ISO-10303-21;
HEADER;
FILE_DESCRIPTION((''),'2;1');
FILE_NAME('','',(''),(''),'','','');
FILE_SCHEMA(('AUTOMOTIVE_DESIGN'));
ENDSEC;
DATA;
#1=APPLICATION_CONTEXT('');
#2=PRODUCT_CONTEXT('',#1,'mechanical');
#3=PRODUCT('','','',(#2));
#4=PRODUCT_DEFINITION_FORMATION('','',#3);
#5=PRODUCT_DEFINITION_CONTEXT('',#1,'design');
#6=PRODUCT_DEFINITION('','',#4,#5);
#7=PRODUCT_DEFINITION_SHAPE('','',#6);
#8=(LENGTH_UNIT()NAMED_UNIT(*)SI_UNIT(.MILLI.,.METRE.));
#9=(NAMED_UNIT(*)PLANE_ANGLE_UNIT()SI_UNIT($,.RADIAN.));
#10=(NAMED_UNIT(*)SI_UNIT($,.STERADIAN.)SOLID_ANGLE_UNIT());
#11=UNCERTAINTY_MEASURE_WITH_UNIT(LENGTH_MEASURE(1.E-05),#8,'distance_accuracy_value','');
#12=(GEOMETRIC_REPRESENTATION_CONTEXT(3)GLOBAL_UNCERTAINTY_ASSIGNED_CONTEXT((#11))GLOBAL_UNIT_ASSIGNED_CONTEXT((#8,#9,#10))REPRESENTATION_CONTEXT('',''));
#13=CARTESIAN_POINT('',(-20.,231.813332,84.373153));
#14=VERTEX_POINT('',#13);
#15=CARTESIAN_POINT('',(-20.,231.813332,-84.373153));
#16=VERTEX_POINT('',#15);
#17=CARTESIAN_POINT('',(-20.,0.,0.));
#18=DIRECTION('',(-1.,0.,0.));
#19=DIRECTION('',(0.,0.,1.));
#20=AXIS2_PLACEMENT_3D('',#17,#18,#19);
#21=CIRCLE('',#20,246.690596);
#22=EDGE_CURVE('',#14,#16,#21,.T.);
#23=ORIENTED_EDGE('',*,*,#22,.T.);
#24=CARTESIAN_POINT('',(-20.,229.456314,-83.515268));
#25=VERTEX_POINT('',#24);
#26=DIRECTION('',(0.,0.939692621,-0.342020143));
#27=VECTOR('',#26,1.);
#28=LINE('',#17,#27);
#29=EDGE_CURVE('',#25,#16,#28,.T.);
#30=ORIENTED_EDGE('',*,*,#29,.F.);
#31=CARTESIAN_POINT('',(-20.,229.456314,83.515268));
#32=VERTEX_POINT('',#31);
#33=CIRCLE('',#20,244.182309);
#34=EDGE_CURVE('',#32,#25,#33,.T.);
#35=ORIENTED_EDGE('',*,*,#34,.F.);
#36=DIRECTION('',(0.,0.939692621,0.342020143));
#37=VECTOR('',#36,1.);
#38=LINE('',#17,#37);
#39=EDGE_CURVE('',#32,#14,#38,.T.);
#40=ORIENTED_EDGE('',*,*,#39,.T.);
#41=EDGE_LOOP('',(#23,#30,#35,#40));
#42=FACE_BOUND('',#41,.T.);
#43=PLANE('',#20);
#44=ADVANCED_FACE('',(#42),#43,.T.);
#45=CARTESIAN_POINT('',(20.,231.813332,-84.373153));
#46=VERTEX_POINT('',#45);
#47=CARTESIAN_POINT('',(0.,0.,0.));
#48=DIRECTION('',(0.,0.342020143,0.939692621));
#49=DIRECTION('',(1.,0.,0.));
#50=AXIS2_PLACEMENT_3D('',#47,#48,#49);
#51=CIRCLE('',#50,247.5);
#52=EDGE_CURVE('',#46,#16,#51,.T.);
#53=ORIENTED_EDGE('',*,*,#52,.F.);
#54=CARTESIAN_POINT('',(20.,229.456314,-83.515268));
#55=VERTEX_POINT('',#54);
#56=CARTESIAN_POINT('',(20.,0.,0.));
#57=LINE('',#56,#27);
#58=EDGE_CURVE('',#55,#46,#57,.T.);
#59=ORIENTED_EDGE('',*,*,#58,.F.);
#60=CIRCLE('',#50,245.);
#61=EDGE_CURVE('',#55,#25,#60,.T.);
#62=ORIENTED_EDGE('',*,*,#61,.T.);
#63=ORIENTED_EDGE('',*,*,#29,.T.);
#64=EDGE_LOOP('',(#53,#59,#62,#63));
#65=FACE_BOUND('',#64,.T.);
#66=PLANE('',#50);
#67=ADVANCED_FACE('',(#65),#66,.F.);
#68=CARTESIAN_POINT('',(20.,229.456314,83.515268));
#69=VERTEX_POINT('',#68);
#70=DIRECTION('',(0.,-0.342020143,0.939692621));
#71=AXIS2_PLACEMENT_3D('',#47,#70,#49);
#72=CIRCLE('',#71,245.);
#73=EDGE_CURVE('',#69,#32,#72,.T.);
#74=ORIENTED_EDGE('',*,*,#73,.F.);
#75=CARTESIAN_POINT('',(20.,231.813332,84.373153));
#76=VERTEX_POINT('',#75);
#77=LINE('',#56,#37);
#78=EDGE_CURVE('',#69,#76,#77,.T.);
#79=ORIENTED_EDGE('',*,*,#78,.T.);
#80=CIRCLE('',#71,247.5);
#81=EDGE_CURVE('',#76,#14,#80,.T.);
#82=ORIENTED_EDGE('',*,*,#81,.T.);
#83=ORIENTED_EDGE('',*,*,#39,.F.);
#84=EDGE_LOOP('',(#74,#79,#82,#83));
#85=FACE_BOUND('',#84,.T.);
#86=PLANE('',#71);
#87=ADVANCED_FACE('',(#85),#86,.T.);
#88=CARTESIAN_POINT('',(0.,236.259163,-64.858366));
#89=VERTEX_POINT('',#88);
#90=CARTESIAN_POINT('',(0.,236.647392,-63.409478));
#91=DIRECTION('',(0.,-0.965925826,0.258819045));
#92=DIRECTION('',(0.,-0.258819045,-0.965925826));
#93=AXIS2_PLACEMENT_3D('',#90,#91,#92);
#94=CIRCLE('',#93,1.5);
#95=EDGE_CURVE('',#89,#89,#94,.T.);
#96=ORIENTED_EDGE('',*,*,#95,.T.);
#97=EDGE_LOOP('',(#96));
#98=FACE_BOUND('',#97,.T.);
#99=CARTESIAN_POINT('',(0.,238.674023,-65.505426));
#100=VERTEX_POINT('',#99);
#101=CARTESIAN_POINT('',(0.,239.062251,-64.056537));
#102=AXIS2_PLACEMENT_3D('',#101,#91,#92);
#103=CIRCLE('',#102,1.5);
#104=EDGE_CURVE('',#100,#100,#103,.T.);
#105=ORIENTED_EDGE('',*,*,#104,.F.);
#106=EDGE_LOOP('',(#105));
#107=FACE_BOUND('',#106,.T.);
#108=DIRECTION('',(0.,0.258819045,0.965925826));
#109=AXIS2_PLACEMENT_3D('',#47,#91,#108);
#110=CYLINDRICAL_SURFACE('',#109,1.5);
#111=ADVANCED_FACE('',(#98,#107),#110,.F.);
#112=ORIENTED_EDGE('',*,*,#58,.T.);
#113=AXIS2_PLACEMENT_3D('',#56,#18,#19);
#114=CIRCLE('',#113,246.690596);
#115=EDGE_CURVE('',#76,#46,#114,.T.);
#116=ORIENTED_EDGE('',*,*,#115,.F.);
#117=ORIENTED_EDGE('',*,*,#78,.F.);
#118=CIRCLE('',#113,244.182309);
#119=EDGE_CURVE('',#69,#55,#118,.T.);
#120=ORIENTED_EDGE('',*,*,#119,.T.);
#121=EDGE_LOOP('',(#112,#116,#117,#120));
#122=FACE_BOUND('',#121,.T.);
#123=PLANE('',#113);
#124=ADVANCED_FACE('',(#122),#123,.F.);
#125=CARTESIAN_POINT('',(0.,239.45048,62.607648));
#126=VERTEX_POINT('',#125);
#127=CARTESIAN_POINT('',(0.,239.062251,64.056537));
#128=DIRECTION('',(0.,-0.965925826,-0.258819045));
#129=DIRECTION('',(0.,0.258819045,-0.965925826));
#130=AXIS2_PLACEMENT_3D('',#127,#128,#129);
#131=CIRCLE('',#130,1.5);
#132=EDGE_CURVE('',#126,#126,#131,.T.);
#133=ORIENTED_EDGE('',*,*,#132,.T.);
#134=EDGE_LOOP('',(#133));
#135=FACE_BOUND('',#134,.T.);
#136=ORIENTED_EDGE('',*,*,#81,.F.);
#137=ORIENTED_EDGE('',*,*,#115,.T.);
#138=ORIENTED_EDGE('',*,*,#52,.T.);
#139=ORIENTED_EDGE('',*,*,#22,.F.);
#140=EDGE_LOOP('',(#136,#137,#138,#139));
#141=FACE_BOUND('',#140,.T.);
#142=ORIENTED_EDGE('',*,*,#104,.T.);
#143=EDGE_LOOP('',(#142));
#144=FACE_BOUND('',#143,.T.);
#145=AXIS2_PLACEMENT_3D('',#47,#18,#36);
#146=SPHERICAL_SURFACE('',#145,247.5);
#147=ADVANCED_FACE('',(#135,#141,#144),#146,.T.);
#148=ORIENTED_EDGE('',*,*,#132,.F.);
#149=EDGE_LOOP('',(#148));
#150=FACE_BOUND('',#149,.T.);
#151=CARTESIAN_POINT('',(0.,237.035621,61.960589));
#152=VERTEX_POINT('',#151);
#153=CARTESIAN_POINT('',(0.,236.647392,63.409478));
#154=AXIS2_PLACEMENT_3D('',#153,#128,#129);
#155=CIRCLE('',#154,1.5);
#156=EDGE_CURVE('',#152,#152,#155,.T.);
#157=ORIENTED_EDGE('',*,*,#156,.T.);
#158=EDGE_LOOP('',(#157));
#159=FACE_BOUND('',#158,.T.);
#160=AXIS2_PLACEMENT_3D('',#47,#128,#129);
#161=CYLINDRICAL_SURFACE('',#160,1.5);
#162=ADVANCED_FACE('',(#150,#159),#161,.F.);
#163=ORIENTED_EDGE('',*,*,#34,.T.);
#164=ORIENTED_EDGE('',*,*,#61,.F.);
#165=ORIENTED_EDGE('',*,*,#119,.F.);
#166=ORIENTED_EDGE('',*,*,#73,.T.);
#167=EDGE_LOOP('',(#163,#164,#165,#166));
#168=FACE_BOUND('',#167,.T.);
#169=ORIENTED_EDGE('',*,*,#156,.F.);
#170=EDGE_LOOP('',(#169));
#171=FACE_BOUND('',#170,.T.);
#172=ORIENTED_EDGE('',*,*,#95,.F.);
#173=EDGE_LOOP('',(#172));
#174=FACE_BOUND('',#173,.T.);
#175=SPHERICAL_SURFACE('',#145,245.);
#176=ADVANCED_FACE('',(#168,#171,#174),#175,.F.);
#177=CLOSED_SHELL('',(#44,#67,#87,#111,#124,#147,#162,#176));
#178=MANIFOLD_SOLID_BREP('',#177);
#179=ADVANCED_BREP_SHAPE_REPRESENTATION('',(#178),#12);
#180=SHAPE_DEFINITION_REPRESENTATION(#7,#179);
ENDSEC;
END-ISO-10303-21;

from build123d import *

# Parameters (mm, degrees)
REVOLVE1_ANGLE           = 20
REVOLVE1_OTHER_WAY_ANGLE = 20
SKETCH3_W                = 1.5
SKETCH3_H                = 54.140623468
CIRPATTERN2_COUNT        = 2


with BuildPart() as part:
    # Sketch1 → Revolve1 (revolve)
    with BuildSketch(Plane.XY):
        with BuildLine():
            ThreePointArc((-20, 244.182308941), (-10.008354244, 244.795491881), (0, 245))
            Line((0, 245), (0, 247.5))
            ThreePointArc((0, 247.5), (-10.008185841, 247.297566135), (-20, 246.690595686))
            Line((-20, 246.690595686), (-20, 244.182308941))
        make_face()
        with BuildLine():
            Line((0, 247.5), (0, 245))
            ThreePointArc((0, 245), (10.008354244, 244.795491881), (20, 244.182308941))
            Line((20, 244.182308941), (20, 246.690595686))
            ThreePointArc((20, 246.690595686), (10.008185841, 247.297566135), (0, 247.5))
        make_face()
    revolve(axis=Axis((-20, 0, 0), (1, 0, 0)), revolution_arc=REVOLVE1_ANGLE)

    # Sketch1 → Revolve1 other way (revolve)
    with BuildSketch(Plane.XY):
        with BuildLine():
            ThreePointArc((-20, 244.182308941), (-10.008354244, 244.795491881), (0, 245))
            Line((0, 245), (0, 247.5))
            ThreePointArc((0, 247.5), (-10.008185841, 247.297566135), (-20, 246.690595686))
            Line((-20, 246.690595686), (-20, 244.182308941))
        make_face()
        with BuildLine():
            Line((0, 247.5), (0, 245))
            ThreePointArc((0, 245), (10.008354244, 244.795491881), (20, 244.182308941))
            Line((20, 244.182308941), (20, 246.690595686))
            ThreePointArc((20, 246.690595686), (10.008185841, 247.297566135), (0, 247.5))
        make_face()
    revolve(axis=Axis((-20, 0, 0), (-1, 0, 0)), revolution_arc=REVOLVE1_OTHER_WAY_ANGLE)

    # Sketch3 → Cut-Revolve1 (revolve, cut)
    with BuildSketch(Plane(origin=(0, 0, 0), x_dir=(1, 0, 0), z_dir=(0, -0.258819045, 0.965925826))):
        with Locations((0.75, 245.792503526)):
            Rectangle(SKETCH3_W, SKETCH3_H)
    cut_revolve1 = revolve(axis=Axis((0, 0, 0), (0, 0.965925826, 0.258819045)), mode=Mode.SUBTRACT)

    # CirPattern2: Cut-Revolve1 ×2 about axis
    cirpattern2_axis = Axis((0, 0, 0), (0, 1, 0))
    for i in range(1, CIRPATTERN2_COUNT):
        add(cut_revolve1.rotate(cirpattern2_axis, i * 360 / CIRPATTERN2_COUNT), mode=Mode.SUBTRACT)


solid = part.part
